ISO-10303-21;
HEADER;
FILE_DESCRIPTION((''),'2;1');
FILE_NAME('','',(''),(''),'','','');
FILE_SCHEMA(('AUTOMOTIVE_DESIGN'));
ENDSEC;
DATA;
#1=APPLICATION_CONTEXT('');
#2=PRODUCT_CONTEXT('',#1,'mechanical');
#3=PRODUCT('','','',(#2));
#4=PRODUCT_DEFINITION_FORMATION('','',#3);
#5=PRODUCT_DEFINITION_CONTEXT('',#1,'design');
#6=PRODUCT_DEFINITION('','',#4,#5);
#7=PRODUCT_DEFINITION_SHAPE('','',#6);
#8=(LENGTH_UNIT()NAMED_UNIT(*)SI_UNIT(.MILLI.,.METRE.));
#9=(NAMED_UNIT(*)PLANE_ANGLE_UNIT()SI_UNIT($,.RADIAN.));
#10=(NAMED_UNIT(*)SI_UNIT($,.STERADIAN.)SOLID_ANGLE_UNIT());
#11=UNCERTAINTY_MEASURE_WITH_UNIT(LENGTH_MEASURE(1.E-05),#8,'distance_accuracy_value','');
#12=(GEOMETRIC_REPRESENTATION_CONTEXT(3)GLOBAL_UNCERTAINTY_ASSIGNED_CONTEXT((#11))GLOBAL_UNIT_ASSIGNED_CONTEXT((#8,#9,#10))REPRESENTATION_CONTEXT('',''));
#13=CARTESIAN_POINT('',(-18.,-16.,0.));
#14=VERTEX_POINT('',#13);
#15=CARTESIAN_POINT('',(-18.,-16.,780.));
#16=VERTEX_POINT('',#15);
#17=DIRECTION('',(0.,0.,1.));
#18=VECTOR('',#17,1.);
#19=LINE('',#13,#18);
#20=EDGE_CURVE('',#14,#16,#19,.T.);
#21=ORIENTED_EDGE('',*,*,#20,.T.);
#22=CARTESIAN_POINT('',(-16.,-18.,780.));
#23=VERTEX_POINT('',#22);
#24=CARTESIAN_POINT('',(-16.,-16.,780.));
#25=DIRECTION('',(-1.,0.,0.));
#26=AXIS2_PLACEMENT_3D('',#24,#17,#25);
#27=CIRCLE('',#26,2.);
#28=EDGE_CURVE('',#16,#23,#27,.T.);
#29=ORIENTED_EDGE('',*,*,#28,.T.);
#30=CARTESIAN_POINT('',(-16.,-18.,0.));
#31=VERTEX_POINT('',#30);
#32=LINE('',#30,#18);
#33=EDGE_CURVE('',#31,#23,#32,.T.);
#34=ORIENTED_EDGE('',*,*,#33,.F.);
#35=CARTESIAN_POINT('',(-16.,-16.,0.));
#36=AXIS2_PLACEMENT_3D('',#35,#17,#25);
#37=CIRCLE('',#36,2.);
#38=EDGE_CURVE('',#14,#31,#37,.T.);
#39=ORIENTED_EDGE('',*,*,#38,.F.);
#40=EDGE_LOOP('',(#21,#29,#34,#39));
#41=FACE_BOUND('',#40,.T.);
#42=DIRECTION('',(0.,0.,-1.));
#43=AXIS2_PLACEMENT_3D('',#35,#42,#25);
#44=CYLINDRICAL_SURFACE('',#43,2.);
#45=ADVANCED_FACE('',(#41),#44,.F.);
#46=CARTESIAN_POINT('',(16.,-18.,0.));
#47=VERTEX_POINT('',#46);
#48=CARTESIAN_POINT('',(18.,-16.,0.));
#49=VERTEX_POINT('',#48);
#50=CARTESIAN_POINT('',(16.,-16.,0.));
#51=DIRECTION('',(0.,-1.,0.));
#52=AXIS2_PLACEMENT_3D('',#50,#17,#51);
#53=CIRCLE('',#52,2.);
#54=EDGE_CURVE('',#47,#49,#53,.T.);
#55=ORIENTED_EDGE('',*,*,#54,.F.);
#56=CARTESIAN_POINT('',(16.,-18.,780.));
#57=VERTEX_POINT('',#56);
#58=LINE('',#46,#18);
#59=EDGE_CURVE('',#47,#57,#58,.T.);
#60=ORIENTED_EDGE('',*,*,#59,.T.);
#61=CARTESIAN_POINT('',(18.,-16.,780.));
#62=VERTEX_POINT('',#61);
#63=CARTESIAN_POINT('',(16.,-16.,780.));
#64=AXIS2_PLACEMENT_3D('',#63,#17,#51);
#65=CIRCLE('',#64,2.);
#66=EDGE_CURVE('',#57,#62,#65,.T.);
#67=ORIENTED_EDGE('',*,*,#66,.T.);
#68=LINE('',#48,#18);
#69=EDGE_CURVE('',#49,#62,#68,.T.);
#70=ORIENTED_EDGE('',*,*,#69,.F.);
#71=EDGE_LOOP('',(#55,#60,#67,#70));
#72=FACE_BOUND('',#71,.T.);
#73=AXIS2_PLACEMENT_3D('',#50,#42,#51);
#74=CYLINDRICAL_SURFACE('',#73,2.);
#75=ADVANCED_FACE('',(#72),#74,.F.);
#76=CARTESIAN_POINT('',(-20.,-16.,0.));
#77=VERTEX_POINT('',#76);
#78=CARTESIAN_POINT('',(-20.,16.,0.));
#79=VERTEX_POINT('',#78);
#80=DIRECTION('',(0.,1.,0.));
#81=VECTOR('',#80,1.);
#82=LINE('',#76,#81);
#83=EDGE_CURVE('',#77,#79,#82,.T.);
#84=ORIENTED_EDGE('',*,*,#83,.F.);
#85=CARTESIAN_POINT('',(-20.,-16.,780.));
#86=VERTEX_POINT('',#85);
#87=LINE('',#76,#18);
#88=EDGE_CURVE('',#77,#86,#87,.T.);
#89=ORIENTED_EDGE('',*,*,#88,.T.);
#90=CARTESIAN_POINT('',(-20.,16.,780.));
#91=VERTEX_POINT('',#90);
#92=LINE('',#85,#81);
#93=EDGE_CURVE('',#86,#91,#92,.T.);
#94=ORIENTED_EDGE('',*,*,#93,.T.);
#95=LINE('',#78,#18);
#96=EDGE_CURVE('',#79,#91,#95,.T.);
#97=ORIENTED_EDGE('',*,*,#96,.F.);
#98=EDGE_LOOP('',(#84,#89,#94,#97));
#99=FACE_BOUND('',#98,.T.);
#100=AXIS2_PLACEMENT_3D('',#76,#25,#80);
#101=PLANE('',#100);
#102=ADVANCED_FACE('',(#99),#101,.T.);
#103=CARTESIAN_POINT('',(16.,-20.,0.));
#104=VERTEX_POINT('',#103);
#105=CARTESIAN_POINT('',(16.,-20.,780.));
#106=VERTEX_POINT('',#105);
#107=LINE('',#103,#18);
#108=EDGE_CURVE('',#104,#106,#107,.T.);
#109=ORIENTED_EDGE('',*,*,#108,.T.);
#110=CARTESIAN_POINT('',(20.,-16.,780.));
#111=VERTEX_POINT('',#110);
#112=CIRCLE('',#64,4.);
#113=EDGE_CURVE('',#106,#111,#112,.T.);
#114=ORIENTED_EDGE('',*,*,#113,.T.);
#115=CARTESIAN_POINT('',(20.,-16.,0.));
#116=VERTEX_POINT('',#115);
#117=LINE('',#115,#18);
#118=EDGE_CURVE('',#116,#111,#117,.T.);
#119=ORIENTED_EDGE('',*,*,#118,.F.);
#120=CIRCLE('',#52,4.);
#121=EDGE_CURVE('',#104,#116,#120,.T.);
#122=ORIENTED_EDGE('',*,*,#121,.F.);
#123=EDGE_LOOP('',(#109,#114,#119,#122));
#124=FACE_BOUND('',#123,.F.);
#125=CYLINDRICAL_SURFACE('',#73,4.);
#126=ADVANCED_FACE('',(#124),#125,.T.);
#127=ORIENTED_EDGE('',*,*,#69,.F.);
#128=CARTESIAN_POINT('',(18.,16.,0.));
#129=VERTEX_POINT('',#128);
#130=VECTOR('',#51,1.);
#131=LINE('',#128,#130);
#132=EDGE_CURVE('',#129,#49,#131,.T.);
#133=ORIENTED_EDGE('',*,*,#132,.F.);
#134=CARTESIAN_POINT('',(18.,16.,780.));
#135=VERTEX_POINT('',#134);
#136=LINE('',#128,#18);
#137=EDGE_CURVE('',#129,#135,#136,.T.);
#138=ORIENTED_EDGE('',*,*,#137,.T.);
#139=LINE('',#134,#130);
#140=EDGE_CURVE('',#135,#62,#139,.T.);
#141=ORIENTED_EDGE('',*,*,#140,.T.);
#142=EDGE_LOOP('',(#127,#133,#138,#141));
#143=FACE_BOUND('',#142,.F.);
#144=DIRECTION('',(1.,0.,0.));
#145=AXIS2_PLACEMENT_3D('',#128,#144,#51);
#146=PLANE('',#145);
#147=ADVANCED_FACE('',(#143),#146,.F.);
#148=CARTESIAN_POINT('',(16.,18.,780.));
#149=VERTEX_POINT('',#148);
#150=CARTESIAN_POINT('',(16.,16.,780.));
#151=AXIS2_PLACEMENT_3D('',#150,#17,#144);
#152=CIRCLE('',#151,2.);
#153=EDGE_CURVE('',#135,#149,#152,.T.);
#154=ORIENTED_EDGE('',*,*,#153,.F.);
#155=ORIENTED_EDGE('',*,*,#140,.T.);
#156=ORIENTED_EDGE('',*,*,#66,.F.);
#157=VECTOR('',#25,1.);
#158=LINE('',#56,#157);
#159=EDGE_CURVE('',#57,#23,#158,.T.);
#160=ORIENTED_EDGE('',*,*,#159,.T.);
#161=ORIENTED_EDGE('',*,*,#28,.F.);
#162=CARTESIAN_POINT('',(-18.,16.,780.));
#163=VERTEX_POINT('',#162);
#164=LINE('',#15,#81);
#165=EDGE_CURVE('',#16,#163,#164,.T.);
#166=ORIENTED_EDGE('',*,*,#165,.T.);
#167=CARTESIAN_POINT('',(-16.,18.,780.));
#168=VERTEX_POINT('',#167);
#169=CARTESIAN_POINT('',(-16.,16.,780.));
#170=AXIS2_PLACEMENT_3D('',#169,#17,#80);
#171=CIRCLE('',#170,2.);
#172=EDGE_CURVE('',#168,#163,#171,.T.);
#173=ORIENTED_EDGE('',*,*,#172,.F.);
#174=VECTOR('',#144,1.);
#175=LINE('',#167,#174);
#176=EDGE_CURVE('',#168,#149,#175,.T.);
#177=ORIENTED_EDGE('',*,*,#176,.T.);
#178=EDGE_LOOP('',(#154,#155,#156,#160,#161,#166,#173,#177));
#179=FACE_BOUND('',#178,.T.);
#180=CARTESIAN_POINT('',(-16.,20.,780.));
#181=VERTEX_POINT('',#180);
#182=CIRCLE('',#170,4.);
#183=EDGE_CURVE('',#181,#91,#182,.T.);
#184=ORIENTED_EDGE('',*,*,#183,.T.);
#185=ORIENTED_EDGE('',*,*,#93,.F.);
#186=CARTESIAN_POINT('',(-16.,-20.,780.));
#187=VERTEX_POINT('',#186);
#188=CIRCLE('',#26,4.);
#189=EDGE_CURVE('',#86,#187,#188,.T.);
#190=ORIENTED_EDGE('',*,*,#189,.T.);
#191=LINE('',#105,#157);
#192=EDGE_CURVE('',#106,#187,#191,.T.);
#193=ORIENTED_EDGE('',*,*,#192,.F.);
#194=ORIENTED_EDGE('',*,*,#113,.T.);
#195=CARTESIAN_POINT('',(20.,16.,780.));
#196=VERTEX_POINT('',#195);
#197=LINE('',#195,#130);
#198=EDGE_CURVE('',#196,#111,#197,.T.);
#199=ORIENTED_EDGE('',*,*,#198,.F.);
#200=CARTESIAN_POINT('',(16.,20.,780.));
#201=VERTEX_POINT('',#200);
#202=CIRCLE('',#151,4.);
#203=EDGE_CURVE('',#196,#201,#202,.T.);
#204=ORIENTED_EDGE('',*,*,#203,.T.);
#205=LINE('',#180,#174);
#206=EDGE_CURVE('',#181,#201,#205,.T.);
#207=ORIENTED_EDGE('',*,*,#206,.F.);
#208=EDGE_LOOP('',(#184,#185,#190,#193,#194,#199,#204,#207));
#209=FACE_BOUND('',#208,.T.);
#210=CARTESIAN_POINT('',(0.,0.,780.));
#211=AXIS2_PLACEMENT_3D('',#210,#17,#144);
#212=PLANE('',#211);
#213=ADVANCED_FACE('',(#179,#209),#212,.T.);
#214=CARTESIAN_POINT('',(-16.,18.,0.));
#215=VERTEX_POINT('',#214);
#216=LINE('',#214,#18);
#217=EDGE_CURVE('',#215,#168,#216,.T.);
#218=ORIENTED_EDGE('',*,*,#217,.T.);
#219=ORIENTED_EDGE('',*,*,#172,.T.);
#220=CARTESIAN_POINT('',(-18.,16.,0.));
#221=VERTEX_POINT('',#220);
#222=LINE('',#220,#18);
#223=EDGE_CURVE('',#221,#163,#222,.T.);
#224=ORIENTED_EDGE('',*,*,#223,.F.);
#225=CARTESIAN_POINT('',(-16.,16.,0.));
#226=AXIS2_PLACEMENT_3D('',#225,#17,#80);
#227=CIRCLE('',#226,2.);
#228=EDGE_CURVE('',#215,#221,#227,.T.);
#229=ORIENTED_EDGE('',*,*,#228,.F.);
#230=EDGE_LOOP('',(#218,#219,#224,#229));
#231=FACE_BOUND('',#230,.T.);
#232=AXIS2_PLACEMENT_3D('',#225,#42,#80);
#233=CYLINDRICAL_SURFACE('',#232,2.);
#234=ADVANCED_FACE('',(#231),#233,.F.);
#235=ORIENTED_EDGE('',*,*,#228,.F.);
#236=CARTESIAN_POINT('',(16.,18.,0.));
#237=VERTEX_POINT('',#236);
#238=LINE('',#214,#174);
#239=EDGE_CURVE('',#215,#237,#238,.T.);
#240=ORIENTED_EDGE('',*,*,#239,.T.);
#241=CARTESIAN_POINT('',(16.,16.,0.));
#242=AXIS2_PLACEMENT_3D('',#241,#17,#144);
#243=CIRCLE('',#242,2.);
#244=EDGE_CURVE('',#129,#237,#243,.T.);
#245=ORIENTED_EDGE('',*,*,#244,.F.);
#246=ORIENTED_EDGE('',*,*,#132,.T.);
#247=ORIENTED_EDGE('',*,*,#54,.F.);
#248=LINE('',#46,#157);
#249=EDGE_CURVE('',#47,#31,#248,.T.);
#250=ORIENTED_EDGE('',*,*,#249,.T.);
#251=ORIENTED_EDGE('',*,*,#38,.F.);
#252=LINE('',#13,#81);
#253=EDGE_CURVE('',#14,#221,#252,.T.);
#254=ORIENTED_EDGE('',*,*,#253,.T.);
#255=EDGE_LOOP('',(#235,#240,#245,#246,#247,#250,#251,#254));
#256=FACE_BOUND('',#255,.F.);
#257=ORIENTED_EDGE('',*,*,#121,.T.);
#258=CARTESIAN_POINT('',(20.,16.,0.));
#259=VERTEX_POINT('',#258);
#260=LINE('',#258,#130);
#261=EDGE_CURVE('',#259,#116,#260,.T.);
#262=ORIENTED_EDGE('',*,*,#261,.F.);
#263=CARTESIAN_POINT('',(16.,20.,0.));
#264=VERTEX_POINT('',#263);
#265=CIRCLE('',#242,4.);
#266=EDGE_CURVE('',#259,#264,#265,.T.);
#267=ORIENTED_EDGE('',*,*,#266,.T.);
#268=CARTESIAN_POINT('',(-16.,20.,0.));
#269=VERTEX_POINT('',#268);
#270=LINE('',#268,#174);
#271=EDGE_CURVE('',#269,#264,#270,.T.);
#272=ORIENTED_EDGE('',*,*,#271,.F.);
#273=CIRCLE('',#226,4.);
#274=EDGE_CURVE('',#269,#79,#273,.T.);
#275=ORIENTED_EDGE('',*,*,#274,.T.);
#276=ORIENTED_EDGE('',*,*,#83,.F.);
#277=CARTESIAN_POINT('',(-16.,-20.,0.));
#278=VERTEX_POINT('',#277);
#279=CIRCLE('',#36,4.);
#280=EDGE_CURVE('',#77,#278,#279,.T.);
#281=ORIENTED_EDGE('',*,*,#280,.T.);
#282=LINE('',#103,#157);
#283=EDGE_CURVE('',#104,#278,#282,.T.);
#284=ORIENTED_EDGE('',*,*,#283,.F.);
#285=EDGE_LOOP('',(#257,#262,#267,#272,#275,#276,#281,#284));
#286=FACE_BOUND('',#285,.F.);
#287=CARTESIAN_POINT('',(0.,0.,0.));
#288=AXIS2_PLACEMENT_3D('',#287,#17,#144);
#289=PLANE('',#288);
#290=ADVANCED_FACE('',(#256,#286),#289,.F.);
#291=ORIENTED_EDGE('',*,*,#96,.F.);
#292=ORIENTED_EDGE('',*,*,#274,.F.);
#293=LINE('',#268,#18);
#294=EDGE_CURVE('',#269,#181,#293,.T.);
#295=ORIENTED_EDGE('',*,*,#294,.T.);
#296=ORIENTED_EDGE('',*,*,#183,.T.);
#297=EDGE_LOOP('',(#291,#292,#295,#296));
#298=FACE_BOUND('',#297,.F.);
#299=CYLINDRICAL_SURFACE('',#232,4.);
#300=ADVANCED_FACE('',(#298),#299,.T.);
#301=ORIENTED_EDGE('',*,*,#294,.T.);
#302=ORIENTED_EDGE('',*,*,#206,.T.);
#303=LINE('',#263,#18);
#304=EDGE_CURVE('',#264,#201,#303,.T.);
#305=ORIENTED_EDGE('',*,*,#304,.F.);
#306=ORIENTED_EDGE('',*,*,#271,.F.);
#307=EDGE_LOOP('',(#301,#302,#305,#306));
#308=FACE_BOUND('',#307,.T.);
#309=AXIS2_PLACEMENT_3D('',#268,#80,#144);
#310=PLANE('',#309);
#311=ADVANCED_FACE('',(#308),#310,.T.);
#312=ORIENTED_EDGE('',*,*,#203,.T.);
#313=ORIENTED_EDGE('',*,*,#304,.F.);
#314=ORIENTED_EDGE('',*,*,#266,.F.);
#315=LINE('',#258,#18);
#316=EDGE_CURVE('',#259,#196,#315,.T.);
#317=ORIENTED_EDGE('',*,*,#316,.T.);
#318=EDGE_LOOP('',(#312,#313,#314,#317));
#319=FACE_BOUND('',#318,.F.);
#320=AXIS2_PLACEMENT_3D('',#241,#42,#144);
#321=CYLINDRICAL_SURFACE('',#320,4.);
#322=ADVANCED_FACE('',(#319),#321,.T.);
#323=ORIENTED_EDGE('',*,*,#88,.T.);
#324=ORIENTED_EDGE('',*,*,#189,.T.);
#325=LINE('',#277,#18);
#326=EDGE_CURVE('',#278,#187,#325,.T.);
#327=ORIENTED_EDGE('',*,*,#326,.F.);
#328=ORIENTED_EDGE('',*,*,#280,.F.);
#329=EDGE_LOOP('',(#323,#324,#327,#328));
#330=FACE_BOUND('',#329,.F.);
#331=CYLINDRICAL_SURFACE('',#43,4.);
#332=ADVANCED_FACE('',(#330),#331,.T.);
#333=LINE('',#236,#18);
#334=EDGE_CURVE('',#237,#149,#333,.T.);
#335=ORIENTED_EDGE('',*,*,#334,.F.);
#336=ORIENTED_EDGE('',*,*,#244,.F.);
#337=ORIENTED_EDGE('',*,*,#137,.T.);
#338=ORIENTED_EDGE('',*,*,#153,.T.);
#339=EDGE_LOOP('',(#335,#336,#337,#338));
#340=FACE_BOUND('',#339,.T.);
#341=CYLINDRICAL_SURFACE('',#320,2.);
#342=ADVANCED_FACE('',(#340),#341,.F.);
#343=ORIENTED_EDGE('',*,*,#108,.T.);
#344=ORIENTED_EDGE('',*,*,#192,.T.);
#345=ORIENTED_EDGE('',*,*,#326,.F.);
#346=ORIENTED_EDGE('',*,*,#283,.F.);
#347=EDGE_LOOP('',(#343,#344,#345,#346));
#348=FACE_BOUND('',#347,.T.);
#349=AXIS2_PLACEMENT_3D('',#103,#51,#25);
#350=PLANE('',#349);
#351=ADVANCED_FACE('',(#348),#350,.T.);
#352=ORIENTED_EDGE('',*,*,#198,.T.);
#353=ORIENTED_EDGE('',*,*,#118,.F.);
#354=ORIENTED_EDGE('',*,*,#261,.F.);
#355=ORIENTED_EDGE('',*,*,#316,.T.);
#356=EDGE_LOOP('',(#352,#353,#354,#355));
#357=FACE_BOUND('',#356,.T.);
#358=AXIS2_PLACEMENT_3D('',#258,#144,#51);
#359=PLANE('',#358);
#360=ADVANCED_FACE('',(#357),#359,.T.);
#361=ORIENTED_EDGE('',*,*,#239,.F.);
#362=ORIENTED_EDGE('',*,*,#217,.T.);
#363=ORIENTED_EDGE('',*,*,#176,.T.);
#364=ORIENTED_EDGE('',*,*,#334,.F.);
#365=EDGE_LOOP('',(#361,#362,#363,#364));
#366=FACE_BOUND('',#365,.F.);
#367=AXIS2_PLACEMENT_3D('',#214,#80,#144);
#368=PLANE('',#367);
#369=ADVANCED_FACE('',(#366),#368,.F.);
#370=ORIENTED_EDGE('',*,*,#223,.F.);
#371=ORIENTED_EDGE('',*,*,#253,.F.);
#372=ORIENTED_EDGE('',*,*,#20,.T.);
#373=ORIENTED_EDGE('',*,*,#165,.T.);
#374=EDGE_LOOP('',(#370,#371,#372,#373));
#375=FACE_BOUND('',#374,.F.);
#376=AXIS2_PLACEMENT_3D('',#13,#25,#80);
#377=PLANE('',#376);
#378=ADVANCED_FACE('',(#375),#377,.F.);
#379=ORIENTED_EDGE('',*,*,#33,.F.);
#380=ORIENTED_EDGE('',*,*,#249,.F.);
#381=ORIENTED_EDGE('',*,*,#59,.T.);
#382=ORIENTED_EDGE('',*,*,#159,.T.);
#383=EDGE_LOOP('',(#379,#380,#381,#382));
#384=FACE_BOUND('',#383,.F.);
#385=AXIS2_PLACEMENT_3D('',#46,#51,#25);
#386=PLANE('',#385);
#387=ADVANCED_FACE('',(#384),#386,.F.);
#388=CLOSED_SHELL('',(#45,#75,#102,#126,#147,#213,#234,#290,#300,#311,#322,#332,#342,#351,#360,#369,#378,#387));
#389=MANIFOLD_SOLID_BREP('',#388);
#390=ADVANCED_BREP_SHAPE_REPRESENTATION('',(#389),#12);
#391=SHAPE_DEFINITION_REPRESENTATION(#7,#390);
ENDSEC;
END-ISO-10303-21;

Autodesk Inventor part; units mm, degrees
ref_plane "Start Plane" through (0, 0, 0) normal (0, 0, 1) x (1, 0, 0)
ref_plane "End Plane" through (0, 0, 780) normal (0, 0, 1) x (1, 0, 0)
sketch "Sketch" plane through (0, 0, 0) normal (0, 0, 1) x (1, 0, 0)
  line L0 (-20, -16) -> (-20, 16)
  line L1 (-16, 20) -> (16, 20)
  line L2 (20, 16) -> (20, -16)
  line L3 (16, -20) -> (-16, -20)
  arc A0 (-20, -16) -> (-16, -20) centre (-16, -16) ccw
  arc A1 (20, 16) -> (16, 20) centre (16, 16) ccw
  arc A2 (-16, 20) -> (-20, 16) centre (-16, 16) ccw
  arc A3 (16, -20) -> (20, -16) centre (16, -16) ccw
  arc A4 (-16, 18) -> (-18, 16) centre (-16, 16) ccw
  line L4 (-16, 18) -> (16, 18)
  arc A5 (18, 16) -> (16, 18) centre (16, 16) ccw
  line L5 (18, 16) -> (18, -16)
  arc A6 (16, -18) -> (18, -16) centre (16, -16) ccw
  line L6 (16, -18) -> (-16, -18)
  arc A7 (-18, -16) -> (-16, -18) centre (-16, -16) ccw
  line L7 (-18, -16) -> (-18, 16)
  line L8 (0, 29.1598) -> (0, -29.1598) construction
  line L9 (-29.1598, 0) -> (29.1598, 0) construction
  dimension "d7" = 4
  dimension "d9" = 40
  dimension "d11" = 40
  dimension "d12" = 2
  dimension "d15" = 20
  dimension "d16" = 20
extrude "Body" add sketch "Sketch" along normal up to surface (780 mm away) from surface at 0
sketch "Sketch3" plane through (0, 0, 0) normal (0, 0, 1) x (1, 0, 0)
  line L0 (0, 0) -> (10, 0)
ref_plane "Work Plane3" through (0, 0, 0) normal (0, -1, 0) x (1, 0, 0)
sketch "Sketch4" plane through (0, 0, 0) normal (0, -1, 0) x (1, 0, 0)
  line L0 (-2, 0) -> (12, 0)
  line L1 (-2, 780) -> (12, 780)
  dimension "d18" = 780
ref_plane "Work Plane4" through (608, 332.5538, 780) normal (0, 0, 1) x (1, 0, 0)
split "Split1" plane through (608, 332.5538, 780) removes the side toward (0, 0, 1)
equation "\"d7\" = G_IR"
equation "\"d9\" = G_W"
equation "\"d11\" = G_H"
equation "\"d12\" = G_T"
equation "\"d15\" = 0.5 * d9"
equation "\"d16\" = 0.5 * d11"
equation "\"d3\" = G_L"
equation "\"G_W\" = 40"
equation "\"G_H\" = 40"
equation "\"G_T\" = 2"
equation "\"G_IR\" = 4"
equation "\"G_L\" = d18"
equation "\"G_OFFSET_START\" = 0"
properties part number "ISO 10799-2 - 40x40x2 - 780" material "Steel, Mild"
